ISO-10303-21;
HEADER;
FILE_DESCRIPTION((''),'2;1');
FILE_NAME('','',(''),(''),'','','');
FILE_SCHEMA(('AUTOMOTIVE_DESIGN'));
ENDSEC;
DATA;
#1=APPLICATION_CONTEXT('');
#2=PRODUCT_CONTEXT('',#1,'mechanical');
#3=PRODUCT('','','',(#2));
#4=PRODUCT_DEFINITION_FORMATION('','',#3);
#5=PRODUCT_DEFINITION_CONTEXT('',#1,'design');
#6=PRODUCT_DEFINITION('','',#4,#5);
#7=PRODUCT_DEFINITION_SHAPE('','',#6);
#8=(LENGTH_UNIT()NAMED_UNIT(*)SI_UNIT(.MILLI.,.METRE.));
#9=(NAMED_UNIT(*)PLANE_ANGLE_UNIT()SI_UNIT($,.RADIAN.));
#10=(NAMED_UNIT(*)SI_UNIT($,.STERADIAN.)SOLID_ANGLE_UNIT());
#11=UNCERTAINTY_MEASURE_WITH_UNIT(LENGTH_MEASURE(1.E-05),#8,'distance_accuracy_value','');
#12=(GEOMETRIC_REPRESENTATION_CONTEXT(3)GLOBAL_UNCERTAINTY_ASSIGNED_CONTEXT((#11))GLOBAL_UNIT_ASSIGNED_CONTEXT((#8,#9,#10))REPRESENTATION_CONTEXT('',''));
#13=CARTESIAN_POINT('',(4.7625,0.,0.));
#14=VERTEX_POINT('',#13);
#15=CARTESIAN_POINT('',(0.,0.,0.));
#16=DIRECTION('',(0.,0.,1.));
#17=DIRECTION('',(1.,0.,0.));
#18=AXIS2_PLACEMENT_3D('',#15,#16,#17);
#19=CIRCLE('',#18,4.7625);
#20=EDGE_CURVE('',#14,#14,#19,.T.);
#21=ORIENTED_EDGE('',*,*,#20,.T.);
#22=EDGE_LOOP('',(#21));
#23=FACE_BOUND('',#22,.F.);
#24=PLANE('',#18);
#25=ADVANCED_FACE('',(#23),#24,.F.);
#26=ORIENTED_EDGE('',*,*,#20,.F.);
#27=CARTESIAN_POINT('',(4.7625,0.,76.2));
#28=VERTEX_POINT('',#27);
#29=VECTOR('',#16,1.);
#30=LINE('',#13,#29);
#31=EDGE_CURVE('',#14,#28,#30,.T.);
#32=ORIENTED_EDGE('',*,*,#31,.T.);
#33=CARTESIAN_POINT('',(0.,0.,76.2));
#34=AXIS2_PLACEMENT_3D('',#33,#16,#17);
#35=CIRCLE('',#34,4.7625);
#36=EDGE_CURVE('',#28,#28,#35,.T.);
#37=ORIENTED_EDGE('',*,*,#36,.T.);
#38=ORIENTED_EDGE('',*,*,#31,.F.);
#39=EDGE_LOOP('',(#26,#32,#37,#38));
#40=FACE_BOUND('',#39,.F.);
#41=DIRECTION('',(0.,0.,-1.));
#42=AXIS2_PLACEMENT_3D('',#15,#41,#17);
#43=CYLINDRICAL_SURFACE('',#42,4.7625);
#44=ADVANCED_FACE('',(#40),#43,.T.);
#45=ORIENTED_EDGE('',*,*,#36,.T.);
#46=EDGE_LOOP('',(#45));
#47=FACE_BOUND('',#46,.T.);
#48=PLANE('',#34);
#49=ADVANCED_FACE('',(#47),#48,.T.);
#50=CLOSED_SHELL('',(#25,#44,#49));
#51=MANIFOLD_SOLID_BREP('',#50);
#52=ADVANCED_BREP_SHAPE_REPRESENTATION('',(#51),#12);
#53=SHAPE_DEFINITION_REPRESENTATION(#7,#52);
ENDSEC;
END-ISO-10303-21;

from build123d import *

# Parameters (mm, degrees)
SKETCH1_R           = 4.7625
BOSS_EXTRUDE1_DEPTH = 76.2


with BuildPart() as part:
    # Sketch1 → Boss-Extrude1 (new body)
    with BuildSketch(Plane.XY):
        Circle(SKETCH1_R)
    extrude(amount=BOSS_EXTRUDE1_DEPTH)


solid = part.part
